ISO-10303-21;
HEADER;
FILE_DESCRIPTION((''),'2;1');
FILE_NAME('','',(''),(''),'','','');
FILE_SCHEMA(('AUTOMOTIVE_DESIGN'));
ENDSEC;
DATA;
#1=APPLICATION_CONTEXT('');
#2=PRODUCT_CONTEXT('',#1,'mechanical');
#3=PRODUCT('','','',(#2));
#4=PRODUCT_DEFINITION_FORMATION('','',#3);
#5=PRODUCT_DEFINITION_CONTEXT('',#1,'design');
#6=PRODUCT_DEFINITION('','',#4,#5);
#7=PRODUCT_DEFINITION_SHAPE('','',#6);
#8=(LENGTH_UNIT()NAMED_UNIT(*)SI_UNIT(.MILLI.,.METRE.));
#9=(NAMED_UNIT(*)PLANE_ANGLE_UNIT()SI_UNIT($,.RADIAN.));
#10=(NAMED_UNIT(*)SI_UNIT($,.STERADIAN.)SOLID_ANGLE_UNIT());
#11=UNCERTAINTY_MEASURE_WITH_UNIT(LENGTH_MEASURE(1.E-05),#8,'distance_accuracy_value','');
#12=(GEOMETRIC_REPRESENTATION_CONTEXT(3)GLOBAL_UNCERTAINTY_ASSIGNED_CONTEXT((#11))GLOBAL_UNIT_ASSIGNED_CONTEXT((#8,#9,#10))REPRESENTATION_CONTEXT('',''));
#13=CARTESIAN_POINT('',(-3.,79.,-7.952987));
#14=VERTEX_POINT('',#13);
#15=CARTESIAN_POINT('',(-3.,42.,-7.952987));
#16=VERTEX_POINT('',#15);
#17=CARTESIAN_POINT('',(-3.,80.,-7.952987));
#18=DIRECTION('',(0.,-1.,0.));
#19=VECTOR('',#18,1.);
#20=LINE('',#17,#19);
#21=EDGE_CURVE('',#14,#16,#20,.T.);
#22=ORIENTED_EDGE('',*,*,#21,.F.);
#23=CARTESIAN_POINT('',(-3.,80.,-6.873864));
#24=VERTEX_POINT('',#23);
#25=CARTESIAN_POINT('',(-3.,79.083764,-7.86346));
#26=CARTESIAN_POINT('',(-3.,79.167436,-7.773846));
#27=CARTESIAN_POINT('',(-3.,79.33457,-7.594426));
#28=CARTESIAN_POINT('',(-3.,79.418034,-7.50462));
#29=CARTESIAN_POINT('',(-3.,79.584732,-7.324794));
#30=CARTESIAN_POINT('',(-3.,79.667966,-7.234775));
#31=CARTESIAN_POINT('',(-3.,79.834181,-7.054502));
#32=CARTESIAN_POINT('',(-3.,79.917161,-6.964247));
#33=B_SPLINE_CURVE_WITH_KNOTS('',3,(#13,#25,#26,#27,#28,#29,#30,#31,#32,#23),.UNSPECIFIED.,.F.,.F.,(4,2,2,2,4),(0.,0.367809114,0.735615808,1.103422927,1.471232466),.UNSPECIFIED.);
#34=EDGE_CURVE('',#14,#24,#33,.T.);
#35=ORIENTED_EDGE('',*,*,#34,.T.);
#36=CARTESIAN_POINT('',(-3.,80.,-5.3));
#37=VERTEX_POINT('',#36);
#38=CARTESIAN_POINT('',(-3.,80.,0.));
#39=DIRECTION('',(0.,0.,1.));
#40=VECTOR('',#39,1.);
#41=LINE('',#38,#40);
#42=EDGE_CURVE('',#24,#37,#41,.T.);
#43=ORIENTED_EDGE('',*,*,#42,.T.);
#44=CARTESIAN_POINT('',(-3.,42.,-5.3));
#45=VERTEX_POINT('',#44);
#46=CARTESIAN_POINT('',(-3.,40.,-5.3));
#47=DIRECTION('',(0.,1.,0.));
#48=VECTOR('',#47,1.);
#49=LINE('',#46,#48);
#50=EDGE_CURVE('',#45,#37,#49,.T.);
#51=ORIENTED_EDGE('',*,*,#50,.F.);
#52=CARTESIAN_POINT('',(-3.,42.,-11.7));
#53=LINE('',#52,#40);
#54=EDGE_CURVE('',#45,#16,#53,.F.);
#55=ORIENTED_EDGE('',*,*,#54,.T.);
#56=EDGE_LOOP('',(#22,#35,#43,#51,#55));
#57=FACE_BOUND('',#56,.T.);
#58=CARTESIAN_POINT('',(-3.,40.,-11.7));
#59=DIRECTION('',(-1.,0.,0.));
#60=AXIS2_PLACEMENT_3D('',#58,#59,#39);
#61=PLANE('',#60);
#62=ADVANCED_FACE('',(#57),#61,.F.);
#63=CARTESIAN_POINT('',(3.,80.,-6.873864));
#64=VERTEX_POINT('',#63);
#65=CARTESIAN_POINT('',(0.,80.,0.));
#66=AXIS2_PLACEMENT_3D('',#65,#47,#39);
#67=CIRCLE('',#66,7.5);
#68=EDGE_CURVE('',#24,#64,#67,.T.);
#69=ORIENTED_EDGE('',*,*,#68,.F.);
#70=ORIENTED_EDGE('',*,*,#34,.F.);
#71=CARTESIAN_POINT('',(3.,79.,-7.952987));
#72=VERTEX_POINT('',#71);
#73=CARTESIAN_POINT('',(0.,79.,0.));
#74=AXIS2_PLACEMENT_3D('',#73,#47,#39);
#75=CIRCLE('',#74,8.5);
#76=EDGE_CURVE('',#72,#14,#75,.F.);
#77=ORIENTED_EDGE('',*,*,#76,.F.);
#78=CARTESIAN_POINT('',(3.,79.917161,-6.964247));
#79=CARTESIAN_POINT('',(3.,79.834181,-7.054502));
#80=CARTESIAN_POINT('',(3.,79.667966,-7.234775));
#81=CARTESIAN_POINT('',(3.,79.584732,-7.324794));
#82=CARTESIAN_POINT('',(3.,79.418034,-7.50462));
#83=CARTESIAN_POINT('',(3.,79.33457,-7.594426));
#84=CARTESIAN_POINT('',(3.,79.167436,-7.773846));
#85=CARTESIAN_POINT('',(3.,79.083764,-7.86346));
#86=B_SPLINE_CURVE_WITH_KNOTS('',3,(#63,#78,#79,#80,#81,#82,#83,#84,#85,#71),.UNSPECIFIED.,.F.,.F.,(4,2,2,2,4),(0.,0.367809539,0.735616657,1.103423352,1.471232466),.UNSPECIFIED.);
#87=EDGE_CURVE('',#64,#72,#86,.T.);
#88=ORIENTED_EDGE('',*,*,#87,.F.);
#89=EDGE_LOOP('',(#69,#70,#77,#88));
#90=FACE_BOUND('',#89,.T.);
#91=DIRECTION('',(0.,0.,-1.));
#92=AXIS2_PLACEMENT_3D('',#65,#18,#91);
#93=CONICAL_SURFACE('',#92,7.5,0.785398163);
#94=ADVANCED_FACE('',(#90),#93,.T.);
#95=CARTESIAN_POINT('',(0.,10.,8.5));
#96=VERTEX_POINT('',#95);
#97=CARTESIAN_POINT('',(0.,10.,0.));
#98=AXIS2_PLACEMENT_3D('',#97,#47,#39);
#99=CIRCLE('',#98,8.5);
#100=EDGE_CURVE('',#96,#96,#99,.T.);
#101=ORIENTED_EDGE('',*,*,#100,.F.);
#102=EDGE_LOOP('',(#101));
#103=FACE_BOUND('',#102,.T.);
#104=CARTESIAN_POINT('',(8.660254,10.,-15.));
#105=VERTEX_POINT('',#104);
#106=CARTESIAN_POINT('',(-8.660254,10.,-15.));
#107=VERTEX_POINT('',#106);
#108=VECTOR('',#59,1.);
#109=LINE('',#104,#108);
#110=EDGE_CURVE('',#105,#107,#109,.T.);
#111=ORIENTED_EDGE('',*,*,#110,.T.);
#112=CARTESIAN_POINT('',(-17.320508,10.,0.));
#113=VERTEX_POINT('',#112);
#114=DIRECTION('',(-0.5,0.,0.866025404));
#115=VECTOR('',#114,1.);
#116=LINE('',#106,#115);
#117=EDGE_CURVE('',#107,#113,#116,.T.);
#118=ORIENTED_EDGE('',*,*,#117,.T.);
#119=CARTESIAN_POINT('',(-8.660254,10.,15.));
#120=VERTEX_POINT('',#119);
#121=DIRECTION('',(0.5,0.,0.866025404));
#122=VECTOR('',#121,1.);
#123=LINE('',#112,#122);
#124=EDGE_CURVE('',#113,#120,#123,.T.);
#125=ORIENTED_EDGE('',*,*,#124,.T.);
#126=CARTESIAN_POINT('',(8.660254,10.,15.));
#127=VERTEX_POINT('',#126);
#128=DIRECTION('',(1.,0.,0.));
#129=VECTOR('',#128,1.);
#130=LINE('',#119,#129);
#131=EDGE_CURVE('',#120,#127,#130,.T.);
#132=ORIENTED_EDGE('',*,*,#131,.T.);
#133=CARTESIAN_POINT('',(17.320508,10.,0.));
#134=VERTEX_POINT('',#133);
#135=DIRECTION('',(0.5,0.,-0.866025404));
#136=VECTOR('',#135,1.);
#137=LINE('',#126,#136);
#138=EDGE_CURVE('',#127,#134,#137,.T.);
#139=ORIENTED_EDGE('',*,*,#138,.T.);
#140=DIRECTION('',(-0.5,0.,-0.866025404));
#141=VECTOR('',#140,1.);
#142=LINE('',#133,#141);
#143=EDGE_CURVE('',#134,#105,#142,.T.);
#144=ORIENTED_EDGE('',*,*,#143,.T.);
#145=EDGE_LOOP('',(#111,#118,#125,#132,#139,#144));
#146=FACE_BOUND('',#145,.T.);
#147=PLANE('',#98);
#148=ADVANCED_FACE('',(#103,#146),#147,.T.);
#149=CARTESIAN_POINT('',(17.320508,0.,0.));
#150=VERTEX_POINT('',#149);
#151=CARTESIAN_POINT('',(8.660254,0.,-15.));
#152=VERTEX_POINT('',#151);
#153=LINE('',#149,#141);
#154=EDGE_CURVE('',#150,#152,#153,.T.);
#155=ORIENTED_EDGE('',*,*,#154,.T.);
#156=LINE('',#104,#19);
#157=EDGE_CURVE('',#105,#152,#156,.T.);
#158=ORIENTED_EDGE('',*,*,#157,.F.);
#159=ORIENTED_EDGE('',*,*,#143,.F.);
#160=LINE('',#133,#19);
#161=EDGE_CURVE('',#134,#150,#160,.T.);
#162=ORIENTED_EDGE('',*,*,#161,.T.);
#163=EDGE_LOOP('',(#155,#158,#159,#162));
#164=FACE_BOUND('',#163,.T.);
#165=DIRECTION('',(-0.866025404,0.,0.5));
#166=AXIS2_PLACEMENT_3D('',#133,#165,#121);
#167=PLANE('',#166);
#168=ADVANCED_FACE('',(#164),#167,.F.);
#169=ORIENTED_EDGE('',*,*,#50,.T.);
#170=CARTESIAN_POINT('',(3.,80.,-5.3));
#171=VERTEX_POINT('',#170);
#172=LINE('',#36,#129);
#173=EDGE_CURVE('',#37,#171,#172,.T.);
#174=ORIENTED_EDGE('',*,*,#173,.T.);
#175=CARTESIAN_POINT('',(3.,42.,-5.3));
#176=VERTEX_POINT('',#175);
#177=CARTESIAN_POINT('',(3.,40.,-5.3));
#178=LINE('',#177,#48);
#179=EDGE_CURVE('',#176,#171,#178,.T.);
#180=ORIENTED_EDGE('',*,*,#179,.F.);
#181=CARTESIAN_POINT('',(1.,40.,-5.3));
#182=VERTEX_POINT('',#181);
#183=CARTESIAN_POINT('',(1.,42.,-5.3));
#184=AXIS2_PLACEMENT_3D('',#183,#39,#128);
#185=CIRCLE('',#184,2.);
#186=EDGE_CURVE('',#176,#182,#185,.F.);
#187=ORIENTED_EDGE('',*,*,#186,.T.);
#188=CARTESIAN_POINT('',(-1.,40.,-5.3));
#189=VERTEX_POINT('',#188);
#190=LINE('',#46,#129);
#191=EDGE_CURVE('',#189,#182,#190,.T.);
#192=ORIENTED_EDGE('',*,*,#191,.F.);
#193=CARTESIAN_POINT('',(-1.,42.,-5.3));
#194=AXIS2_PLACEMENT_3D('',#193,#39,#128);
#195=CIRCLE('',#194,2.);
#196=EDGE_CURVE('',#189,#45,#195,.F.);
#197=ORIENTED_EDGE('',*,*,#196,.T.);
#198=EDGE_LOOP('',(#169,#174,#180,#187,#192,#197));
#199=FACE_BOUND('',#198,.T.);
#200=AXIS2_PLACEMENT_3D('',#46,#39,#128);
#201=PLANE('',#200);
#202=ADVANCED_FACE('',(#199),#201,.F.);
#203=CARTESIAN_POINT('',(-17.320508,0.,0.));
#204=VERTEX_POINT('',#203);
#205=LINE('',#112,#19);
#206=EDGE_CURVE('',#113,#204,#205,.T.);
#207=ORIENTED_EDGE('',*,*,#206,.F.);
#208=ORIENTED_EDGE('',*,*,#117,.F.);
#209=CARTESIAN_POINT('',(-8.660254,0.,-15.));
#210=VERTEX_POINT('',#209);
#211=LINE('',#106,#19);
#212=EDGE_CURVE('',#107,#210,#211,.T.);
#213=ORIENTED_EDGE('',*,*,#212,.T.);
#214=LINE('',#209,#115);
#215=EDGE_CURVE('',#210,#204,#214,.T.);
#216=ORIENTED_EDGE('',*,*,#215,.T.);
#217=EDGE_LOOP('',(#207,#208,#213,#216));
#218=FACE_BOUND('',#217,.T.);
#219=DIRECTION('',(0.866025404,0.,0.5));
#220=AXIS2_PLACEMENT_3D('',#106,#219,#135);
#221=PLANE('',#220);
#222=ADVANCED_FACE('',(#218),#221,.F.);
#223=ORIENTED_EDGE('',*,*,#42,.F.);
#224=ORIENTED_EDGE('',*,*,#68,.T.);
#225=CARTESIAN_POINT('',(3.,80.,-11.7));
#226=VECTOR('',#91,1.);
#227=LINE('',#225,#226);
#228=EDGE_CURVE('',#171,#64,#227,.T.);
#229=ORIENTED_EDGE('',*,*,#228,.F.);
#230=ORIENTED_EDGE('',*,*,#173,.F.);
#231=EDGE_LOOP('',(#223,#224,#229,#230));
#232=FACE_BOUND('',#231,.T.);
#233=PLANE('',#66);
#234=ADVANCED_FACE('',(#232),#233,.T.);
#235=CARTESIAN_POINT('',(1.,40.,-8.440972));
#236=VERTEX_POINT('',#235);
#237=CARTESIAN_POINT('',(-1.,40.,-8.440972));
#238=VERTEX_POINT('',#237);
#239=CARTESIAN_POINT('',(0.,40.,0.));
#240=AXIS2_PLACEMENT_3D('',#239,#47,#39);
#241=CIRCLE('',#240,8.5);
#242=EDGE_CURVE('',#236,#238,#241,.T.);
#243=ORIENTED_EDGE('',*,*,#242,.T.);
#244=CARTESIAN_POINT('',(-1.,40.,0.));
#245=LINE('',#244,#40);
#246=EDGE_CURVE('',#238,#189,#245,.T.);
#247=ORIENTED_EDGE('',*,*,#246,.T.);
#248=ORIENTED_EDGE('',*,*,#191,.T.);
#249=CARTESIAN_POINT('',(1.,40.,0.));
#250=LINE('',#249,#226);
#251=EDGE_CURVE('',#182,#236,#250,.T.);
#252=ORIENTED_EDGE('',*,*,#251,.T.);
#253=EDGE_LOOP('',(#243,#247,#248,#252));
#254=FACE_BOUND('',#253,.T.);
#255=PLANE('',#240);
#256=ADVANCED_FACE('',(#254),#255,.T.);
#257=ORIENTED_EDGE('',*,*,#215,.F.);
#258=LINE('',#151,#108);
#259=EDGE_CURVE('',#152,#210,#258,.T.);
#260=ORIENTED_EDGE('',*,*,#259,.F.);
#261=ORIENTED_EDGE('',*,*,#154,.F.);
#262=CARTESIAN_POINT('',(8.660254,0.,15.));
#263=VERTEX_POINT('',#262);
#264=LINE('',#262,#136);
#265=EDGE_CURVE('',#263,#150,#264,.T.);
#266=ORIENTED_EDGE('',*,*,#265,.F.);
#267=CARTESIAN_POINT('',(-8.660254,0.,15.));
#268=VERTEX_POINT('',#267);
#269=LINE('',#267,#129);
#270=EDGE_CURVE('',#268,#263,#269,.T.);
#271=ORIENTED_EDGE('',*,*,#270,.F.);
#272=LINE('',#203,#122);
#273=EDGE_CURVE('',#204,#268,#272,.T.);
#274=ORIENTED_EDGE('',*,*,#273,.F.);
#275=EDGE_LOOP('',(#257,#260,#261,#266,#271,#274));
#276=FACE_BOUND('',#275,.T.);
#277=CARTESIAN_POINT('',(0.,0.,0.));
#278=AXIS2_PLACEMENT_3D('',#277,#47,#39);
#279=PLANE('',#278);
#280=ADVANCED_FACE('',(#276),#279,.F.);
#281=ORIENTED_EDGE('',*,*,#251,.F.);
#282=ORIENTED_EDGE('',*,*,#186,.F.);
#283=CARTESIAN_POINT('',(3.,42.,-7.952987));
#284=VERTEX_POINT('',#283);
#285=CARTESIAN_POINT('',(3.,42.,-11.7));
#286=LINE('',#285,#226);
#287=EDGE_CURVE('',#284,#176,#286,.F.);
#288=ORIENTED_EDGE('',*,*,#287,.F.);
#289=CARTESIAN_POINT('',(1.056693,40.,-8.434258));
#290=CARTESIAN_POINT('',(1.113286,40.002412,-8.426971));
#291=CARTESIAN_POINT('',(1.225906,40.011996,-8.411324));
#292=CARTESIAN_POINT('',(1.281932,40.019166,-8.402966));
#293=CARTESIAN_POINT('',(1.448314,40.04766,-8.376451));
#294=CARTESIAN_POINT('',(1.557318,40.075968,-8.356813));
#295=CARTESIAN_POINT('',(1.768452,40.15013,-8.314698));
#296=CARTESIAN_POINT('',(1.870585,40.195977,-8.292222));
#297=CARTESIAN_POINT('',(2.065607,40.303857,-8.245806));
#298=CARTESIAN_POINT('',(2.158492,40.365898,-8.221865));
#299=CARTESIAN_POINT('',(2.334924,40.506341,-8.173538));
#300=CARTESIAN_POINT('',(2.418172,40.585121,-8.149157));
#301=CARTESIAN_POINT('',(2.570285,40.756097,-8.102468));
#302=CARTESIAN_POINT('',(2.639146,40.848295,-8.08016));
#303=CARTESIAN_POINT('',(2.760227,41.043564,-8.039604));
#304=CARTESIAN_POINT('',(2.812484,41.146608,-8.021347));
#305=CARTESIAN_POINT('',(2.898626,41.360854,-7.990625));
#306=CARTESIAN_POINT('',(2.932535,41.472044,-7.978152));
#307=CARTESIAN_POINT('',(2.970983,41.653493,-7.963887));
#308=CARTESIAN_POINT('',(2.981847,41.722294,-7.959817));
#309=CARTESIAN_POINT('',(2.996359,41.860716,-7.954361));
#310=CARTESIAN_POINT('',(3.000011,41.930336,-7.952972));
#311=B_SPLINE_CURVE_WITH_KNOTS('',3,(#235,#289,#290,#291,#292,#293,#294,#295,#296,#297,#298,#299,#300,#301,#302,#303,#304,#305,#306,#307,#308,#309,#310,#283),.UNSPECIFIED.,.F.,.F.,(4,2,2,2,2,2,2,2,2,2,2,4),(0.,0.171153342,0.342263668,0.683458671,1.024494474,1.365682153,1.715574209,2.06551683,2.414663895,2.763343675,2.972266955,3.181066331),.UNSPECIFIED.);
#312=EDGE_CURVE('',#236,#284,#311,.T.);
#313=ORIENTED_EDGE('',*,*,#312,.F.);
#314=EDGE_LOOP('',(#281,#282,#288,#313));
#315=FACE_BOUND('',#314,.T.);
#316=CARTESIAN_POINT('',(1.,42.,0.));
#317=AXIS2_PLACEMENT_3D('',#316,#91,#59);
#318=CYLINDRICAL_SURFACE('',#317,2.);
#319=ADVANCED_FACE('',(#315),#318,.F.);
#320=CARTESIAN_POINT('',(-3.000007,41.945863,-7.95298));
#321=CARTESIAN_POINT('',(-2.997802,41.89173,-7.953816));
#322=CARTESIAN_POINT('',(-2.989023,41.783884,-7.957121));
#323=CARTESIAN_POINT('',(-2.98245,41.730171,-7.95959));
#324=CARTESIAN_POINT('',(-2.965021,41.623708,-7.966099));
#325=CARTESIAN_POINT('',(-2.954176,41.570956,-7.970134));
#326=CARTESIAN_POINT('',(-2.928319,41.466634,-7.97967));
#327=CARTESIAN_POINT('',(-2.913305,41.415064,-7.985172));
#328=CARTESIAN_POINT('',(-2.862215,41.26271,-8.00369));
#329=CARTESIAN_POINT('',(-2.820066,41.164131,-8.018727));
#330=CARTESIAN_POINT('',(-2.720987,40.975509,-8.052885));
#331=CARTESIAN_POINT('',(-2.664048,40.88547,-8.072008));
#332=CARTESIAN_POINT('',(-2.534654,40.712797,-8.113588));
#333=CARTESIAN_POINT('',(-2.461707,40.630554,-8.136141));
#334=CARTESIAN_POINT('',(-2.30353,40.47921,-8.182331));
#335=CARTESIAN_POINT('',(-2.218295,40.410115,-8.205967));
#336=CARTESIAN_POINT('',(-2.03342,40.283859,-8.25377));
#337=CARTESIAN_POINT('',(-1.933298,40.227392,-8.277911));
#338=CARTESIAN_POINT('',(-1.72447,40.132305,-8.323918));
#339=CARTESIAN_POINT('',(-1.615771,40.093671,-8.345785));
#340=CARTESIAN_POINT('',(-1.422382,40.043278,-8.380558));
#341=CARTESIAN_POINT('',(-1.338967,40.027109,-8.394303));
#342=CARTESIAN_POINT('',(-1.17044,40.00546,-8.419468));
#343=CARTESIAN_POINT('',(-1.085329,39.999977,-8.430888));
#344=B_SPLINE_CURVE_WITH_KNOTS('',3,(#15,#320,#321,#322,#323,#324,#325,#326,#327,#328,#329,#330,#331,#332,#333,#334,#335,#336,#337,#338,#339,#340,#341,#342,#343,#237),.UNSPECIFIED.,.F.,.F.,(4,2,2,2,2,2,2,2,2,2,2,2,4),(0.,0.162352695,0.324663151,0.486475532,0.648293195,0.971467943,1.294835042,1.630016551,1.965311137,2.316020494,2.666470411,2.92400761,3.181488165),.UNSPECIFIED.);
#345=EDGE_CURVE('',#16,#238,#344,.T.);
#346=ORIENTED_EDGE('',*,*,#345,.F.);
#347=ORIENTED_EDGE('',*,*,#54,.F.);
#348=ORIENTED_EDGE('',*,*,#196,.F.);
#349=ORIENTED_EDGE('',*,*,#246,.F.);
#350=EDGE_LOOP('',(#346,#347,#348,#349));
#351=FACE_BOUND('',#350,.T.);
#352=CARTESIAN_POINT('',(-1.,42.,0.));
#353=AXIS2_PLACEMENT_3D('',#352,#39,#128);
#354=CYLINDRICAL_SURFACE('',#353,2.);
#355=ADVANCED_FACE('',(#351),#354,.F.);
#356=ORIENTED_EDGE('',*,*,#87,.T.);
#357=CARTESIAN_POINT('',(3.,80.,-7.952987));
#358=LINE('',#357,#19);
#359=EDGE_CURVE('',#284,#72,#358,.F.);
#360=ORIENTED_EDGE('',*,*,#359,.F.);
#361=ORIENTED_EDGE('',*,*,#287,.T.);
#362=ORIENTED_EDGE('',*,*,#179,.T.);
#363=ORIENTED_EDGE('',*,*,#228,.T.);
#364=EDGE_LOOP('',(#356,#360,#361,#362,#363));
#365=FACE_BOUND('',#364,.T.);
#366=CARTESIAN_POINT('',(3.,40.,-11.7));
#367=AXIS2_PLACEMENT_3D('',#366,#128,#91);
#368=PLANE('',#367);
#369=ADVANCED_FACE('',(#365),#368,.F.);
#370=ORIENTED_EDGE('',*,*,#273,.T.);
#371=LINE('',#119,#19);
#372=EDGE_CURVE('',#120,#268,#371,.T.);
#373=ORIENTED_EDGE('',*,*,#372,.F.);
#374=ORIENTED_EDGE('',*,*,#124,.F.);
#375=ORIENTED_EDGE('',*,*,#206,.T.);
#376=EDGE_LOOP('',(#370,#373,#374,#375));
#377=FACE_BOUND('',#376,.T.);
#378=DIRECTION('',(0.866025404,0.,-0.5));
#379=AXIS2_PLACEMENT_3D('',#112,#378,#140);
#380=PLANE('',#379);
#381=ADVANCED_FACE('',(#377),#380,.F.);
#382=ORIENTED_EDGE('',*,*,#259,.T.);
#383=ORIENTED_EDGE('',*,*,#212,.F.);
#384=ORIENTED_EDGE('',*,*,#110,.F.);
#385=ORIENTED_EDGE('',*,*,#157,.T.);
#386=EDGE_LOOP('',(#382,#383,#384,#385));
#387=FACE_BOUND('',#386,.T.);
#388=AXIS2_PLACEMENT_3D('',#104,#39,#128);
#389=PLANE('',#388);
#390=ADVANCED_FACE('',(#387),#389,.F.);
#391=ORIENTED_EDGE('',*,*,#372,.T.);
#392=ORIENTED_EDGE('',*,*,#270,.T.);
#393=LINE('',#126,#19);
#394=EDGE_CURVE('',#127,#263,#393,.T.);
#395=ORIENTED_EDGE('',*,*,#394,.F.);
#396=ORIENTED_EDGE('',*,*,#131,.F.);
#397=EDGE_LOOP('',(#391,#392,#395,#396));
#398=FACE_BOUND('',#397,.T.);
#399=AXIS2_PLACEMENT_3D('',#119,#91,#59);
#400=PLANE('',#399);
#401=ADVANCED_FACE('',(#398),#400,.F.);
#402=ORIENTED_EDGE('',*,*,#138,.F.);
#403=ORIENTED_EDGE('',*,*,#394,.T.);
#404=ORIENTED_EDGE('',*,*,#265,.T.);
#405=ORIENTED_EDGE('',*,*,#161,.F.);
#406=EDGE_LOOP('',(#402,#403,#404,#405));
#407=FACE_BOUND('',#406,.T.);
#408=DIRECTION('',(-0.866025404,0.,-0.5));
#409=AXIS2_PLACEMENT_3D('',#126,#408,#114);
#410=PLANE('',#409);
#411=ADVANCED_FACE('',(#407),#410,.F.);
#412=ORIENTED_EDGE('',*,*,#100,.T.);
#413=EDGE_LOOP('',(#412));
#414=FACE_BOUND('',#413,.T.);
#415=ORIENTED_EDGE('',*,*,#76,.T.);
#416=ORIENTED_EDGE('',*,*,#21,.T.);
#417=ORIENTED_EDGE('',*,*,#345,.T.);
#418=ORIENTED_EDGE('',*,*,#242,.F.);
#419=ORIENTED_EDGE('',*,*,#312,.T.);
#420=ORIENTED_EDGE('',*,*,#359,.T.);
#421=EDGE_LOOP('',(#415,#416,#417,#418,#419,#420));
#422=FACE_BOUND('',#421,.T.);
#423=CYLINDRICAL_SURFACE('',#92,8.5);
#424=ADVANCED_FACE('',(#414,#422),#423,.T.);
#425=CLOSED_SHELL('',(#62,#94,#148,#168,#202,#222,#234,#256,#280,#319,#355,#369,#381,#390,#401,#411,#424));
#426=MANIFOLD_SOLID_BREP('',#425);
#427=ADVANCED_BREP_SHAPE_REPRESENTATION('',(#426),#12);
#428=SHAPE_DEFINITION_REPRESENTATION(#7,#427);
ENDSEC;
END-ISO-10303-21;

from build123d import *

# Parameters (mm, degrees)
BASE_HEXAGONAL_10MM_DEPTH = 10
SKETCH2_R                 = 8.5
EIXO_70MM_DEPTH           = 70
SKETCH3_W                 = 6
SKETCH3_H                 = 6.4
RASGO_DE_CHAVETA_DEPTH    = 40
RAIO_2MM_R                = 2
CHANFRO_1X45_SIZE         = 1


with BuildPart() as part:
    # Sketch1 → Base Hexagonal 10mm (new body)
    with BuildSketch(Plane(origin=(0, 0, 0), x_dir=(1, 0, 0), z_dir=(0, 1, 0))):
        Polygon((8.660254038, 15), (-8.660254038, 15), (-17.320508076, 0), (-8.660254038, -15), (8.660254038, -15), (17.320508076, 0), align=None)
    extrude(amount=BASE_HEXAGONAL_10MM_DEPTH)

    # Sketch2 → Eixo 70mm (add)
    with BuildSketch(Plane(origin=(0, 10, 0), x_dir=(1, 0, 0), z_dir=(0, 1, 0))):
        with Locations(Location((0, 0, 0), (0, 0, 270))):
            Circle(SKETCH2_R)
    extrude(amount=EIXO_70MM_DEPTH)

    # Sketch3 → Rasgo de Chaveta (cut)
    with BuildSketch(Plane(origin=(0, 80, 0), x_dir=(1, 0, 0), z_dir=(0, 1, 0))):
        with Locations((0, 8.5)):
            Rectangle(SKETCH3_W, SKETCH3_H)
    extrude(amount=-RASGO_DE_CHAVETA_DEPTH, mode=Mode.SUBTRACT)

    # Raio 2mm
    raio_2mm_edges = [part.edges().sort_by_distance(p)[0] for p in [
        (3, 40, -6.62649343),
        (-3, 40, -6.62649343),
    ]]
    fillet(raio_2mm_edges, radius=RAIO_2MM_R)

    # Chanfro 1x45°
    chanfro_1x45_edges = [part.edges().sort_by_distance(p)[0] for p in [
        (-8.362128566, 80, 1.524731401),
    ]]
    chamfer(chanfro_1x45_edges, length=CHANFRO_1X45_SIZE)


solid = part.part
